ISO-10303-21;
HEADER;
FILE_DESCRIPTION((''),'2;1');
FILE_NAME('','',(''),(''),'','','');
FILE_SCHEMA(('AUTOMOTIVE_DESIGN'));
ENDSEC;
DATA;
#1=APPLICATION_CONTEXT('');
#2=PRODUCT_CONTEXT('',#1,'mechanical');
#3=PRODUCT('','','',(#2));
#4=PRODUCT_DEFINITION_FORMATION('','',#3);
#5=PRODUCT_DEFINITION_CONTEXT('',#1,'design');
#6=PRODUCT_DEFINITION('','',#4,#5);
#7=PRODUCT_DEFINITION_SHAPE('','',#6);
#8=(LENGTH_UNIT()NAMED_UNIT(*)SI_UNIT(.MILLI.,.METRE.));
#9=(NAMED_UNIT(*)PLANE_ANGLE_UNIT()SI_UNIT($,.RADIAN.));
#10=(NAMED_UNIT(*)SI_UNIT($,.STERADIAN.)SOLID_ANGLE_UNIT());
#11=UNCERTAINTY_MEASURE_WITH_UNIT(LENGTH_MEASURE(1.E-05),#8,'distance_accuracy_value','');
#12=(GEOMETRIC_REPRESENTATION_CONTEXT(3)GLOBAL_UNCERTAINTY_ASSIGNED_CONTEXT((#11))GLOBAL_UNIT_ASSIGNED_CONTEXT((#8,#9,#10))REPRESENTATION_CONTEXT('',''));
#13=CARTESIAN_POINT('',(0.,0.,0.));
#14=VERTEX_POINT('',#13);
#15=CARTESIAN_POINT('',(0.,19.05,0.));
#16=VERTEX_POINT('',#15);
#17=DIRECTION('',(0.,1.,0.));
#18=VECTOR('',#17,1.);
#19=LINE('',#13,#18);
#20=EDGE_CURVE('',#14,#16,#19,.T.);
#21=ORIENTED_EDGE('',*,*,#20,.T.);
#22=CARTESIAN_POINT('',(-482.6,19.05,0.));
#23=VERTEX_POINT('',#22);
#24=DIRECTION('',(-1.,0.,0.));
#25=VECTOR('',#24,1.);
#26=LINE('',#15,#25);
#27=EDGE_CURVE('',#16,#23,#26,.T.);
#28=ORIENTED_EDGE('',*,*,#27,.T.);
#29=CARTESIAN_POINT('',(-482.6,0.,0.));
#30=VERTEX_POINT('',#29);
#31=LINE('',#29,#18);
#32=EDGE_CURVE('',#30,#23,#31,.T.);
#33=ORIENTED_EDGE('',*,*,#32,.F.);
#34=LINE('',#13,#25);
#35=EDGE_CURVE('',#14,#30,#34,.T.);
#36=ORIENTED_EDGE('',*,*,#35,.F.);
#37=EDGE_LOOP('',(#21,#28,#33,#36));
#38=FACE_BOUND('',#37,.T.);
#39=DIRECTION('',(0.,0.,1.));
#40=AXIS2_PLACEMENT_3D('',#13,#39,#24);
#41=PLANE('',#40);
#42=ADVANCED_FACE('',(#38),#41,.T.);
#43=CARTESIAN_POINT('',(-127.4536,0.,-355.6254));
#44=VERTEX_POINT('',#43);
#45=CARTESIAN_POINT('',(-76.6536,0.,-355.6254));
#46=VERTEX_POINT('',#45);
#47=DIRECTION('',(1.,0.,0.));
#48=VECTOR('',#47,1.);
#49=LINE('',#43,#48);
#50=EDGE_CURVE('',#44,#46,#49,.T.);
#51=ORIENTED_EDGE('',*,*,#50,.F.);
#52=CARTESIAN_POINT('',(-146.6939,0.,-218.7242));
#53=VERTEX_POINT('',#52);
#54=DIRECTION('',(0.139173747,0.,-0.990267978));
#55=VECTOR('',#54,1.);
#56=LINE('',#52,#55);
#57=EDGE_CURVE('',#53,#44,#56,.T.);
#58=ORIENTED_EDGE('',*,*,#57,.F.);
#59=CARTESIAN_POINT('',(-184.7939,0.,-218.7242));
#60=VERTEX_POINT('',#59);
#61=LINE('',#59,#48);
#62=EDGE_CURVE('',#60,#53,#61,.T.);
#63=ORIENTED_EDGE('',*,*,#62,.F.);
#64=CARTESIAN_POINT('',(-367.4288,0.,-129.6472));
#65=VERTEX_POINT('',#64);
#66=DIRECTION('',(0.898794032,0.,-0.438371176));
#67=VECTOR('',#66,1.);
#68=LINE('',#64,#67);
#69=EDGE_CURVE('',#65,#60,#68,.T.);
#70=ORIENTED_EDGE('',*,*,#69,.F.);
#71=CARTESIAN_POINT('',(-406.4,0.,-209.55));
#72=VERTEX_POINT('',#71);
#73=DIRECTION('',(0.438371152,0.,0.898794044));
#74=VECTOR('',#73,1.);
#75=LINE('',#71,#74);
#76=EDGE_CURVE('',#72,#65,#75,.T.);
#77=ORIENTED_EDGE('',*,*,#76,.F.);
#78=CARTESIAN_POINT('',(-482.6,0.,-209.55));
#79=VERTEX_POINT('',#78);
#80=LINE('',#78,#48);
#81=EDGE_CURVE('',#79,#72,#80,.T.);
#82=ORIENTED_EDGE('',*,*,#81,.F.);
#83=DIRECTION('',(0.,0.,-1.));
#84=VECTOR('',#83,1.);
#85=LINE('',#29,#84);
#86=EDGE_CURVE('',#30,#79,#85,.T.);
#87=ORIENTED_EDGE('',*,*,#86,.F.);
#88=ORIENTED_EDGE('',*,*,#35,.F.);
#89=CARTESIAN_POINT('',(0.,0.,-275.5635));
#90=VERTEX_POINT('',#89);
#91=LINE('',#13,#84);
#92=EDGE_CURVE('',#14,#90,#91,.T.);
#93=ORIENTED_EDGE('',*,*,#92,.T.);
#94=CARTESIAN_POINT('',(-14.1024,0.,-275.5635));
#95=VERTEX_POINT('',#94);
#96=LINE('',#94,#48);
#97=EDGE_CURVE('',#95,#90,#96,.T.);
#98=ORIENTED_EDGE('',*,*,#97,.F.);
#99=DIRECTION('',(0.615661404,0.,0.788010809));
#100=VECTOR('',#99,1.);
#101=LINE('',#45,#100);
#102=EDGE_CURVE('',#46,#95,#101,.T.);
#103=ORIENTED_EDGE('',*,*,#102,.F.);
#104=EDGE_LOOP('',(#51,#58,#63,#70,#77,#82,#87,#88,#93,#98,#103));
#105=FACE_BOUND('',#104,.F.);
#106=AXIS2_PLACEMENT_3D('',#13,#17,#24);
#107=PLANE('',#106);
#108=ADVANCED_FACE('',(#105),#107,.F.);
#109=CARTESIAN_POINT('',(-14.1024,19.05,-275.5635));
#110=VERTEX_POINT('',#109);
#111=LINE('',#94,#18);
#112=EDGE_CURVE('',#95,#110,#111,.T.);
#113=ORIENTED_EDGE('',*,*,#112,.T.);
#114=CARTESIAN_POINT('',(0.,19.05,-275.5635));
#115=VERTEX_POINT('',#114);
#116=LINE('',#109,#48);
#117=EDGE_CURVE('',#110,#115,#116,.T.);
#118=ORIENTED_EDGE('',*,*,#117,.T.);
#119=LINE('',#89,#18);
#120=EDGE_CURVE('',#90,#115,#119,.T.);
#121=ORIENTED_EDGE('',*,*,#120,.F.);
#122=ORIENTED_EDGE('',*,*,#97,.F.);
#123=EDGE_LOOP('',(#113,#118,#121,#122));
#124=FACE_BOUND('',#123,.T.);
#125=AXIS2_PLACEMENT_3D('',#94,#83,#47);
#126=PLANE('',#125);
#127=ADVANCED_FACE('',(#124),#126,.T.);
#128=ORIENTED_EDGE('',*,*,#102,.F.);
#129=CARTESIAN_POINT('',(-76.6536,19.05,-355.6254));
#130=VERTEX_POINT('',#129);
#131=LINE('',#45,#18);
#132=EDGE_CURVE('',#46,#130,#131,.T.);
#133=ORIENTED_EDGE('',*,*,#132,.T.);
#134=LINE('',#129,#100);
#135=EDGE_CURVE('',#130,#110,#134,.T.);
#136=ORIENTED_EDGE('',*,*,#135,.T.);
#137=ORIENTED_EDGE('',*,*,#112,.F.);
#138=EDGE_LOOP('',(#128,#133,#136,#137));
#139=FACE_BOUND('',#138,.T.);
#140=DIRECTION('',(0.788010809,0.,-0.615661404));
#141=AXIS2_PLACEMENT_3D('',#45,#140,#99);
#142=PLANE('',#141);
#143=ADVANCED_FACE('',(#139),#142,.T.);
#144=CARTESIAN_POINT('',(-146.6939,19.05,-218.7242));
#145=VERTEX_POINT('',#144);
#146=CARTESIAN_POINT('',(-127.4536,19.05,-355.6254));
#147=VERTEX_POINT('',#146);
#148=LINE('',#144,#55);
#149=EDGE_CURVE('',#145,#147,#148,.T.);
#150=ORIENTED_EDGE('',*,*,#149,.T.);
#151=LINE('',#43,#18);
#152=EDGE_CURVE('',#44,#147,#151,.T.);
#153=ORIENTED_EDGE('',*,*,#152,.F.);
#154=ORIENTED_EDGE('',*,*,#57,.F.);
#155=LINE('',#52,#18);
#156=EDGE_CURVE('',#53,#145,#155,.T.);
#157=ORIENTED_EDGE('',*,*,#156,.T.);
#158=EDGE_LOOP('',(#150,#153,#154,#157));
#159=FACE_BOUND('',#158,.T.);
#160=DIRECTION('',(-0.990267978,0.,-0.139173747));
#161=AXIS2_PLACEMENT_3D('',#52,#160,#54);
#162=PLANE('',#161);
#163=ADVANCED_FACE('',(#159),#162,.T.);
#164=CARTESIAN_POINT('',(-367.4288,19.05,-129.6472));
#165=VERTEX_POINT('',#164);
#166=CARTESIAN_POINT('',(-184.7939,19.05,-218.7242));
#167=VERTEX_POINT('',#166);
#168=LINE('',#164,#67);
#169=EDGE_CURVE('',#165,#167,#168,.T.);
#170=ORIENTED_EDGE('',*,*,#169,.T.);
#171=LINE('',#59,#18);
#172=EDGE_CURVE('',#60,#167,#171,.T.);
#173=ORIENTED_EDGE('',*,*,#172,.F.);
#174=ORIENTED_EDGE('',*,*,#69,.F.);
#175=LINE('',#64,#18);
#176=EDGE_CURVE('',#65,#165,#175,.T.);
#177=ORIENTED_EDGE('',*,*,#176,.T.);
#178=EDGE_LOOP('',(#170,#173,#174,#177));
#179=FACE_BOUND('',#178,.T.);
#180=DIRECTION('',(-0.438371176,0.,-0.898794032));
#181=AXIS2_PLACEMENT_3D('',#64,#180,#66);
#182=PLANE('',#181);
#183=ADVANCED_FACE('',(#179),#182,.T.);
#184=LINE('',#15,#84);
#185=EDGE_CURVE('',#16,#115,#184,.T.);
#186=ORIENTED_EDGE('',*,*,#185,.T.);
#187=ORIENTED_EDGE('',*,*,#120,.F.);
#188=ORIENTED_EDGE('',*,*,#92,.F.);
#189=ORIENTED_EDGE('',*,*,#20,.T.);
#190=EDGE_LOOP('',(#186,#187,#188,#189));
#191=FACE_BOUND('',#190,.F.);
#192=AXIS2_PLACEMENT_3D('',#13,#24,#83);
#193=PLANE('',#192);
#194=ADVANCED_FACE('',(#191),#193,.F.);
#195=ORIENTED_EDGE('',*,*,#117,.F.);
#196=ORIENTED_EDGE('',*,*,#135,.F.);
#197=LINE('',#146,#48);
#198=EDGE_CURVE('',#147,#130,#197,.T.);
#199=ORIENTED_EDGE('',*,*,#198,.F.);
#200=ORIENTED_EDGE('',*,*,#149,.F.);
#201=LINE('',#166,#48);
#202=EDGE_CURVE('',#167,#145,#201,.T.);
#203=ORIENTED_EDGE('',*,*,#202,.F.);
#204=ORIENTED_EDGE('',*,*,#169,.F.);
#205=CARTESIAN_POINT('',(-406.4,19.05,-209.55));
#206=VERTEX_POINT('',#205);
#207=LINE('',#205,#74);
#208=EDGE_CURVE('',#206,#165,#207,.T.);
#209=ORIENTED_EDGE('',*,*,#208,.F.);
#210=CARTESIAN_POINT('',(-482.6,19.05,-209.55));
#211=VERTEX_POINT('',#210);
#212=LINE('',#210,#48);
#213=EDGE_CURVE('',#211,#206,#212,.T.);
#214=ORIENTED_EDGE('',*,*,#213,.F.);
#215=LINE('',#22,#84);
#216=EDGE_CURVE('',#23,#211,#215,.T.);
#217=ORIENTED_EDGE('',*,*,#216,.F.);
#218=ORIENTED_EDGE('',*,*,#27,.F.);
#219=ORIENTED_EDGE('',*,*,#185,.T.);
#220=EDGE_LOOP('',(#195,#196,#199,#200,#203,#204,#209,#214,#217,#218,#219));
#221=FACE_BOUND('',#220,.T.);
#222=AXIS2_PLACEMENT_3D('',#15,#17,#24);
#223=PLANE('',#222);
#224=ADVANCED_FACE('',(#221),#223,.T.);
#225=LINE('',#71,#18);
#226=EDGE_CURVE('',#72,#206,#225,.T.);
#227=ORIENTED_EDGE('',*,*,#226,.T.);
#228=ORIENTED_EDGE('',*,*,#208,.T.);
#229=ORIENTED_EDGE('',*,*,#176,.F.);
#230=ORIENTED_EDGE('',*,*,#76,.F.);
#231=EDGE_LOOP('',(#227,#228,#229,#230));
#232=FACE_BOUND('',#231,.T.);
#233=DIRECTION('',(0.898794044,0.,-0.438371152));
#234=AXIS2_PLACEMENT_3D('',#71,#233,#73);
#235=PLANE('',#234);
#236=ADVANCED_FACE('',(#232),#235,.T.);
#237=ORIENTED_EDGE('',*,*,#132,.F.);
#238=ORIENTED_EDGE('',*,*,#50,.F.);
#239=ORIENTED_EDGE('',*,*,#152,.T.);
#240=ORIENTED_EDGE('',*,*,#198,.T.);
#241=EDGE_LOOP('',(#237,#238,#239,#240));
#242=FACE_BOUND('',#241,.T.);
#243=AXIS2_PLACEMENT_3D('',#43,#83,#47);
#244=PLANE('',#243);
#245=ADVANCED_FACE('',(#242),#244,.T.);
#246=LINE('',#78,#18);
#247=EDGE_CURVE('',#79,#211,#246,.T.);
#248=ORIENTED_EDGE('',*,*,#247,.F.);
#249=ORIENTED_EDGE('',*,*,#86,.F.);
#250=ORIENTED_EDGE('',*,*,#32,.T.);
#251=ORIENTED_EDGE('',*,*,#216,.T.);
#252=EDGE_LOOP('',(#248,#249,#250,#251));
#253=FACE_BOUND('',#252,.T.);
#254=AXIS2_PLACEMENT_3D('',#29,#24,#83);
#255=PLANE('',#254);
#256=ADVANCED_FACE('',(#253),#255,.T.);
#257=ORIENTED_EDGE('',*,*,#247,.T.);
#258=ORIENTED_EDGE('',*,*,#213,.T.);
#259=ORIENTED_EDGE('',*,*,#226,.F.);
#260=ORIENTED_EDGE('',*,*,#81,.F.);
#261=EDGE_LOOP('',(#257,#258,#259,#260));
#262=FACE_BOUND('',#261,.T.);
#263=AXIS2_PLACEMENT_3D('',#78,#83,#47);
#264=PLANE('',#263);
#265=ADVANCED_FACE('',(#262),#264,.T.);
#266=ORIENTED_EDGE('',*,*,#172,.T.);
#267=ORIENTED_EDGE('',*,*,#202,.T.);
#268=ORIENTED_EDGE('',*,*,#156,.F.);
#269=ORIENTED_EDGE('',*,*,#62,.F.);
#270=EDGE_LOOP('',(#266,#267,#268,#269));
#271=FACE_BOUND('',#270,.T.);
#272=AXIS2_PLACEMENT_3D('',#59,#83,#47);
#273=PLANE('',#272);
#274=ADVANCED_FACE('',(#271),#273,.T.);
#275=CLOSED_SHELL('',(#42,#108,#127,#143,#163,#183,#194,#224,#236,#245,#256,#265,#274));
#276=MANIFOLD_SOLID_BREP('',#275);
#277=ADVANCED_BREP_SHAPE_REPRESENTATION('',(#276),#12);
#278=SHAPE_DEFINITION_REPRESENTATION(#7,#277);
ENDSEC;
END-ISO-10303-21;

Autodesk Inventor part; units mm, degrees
ref_plane "YZ Plane" through (0, 0, 0) normal (1, 0, 0) x (0, 1, 0)
ref_plane "XZ Plane" through (0, 0, 0) normal (0, 1, 0) x (-1, 0, 0)
ref_plane "XY Plane" through (0, 0, 0) normal (0, 0, 1) x (1, 0, 0)
sketch "Sketch1" plane through (0, 0, 0) normal (0, 1, 0) x (-1, 0, 0)
  line L0 (0, 0) -> (482.6, 0)
  line L1 (482.6, 0) -> (482.6, -209.55)
  line L2 (482.6, -209.55) -> (406.4, -209.55)
  line L3 (406.4, -209.55) -> (367.4288, -129.6472)
  line L4 (367.4288, -129.6472) -> (184.7939, -218.7242)
  line L5 (184.7939, -218.7242) -> (146.6939, -218.7242)
  line L6 (146.6939, -218.7242) -> (127.4536, -355.6254)
  line L7 (127.4536, -355.6254) -> (76.6536, -355.6254)
  line L8 (76.6536, -355.6254) -> (14.1024, -275.5635)
  line L9 (14.1024, -275.5635) -> (0, -275.5635)
  line L10 (0, 0) -> (0, -275.5635)
  point P0 (438.8308, 0)
  point P1 (482.6, -106.5112)
  dimension "d22" = 98
  dimension "d23" = 154
  dimension "d26" = 76.2
  dimension "d27" = 128
  dimension "d29" = 355.6254
  dimension "d30" = 88.9
  dimension "d33" = 203.2
  dimension "d34" = 38.1
  dimension "d35" = 50.8
  dimension "d36" = 101.6
  dimension "d37" = 138.2466
  dimension "d38" = 209.55
  dimension "d39" = 482.6
extrude "Extrusion1" add sketch "Sketch1" along normal blind 19.05
properties part number "Side Panel"
